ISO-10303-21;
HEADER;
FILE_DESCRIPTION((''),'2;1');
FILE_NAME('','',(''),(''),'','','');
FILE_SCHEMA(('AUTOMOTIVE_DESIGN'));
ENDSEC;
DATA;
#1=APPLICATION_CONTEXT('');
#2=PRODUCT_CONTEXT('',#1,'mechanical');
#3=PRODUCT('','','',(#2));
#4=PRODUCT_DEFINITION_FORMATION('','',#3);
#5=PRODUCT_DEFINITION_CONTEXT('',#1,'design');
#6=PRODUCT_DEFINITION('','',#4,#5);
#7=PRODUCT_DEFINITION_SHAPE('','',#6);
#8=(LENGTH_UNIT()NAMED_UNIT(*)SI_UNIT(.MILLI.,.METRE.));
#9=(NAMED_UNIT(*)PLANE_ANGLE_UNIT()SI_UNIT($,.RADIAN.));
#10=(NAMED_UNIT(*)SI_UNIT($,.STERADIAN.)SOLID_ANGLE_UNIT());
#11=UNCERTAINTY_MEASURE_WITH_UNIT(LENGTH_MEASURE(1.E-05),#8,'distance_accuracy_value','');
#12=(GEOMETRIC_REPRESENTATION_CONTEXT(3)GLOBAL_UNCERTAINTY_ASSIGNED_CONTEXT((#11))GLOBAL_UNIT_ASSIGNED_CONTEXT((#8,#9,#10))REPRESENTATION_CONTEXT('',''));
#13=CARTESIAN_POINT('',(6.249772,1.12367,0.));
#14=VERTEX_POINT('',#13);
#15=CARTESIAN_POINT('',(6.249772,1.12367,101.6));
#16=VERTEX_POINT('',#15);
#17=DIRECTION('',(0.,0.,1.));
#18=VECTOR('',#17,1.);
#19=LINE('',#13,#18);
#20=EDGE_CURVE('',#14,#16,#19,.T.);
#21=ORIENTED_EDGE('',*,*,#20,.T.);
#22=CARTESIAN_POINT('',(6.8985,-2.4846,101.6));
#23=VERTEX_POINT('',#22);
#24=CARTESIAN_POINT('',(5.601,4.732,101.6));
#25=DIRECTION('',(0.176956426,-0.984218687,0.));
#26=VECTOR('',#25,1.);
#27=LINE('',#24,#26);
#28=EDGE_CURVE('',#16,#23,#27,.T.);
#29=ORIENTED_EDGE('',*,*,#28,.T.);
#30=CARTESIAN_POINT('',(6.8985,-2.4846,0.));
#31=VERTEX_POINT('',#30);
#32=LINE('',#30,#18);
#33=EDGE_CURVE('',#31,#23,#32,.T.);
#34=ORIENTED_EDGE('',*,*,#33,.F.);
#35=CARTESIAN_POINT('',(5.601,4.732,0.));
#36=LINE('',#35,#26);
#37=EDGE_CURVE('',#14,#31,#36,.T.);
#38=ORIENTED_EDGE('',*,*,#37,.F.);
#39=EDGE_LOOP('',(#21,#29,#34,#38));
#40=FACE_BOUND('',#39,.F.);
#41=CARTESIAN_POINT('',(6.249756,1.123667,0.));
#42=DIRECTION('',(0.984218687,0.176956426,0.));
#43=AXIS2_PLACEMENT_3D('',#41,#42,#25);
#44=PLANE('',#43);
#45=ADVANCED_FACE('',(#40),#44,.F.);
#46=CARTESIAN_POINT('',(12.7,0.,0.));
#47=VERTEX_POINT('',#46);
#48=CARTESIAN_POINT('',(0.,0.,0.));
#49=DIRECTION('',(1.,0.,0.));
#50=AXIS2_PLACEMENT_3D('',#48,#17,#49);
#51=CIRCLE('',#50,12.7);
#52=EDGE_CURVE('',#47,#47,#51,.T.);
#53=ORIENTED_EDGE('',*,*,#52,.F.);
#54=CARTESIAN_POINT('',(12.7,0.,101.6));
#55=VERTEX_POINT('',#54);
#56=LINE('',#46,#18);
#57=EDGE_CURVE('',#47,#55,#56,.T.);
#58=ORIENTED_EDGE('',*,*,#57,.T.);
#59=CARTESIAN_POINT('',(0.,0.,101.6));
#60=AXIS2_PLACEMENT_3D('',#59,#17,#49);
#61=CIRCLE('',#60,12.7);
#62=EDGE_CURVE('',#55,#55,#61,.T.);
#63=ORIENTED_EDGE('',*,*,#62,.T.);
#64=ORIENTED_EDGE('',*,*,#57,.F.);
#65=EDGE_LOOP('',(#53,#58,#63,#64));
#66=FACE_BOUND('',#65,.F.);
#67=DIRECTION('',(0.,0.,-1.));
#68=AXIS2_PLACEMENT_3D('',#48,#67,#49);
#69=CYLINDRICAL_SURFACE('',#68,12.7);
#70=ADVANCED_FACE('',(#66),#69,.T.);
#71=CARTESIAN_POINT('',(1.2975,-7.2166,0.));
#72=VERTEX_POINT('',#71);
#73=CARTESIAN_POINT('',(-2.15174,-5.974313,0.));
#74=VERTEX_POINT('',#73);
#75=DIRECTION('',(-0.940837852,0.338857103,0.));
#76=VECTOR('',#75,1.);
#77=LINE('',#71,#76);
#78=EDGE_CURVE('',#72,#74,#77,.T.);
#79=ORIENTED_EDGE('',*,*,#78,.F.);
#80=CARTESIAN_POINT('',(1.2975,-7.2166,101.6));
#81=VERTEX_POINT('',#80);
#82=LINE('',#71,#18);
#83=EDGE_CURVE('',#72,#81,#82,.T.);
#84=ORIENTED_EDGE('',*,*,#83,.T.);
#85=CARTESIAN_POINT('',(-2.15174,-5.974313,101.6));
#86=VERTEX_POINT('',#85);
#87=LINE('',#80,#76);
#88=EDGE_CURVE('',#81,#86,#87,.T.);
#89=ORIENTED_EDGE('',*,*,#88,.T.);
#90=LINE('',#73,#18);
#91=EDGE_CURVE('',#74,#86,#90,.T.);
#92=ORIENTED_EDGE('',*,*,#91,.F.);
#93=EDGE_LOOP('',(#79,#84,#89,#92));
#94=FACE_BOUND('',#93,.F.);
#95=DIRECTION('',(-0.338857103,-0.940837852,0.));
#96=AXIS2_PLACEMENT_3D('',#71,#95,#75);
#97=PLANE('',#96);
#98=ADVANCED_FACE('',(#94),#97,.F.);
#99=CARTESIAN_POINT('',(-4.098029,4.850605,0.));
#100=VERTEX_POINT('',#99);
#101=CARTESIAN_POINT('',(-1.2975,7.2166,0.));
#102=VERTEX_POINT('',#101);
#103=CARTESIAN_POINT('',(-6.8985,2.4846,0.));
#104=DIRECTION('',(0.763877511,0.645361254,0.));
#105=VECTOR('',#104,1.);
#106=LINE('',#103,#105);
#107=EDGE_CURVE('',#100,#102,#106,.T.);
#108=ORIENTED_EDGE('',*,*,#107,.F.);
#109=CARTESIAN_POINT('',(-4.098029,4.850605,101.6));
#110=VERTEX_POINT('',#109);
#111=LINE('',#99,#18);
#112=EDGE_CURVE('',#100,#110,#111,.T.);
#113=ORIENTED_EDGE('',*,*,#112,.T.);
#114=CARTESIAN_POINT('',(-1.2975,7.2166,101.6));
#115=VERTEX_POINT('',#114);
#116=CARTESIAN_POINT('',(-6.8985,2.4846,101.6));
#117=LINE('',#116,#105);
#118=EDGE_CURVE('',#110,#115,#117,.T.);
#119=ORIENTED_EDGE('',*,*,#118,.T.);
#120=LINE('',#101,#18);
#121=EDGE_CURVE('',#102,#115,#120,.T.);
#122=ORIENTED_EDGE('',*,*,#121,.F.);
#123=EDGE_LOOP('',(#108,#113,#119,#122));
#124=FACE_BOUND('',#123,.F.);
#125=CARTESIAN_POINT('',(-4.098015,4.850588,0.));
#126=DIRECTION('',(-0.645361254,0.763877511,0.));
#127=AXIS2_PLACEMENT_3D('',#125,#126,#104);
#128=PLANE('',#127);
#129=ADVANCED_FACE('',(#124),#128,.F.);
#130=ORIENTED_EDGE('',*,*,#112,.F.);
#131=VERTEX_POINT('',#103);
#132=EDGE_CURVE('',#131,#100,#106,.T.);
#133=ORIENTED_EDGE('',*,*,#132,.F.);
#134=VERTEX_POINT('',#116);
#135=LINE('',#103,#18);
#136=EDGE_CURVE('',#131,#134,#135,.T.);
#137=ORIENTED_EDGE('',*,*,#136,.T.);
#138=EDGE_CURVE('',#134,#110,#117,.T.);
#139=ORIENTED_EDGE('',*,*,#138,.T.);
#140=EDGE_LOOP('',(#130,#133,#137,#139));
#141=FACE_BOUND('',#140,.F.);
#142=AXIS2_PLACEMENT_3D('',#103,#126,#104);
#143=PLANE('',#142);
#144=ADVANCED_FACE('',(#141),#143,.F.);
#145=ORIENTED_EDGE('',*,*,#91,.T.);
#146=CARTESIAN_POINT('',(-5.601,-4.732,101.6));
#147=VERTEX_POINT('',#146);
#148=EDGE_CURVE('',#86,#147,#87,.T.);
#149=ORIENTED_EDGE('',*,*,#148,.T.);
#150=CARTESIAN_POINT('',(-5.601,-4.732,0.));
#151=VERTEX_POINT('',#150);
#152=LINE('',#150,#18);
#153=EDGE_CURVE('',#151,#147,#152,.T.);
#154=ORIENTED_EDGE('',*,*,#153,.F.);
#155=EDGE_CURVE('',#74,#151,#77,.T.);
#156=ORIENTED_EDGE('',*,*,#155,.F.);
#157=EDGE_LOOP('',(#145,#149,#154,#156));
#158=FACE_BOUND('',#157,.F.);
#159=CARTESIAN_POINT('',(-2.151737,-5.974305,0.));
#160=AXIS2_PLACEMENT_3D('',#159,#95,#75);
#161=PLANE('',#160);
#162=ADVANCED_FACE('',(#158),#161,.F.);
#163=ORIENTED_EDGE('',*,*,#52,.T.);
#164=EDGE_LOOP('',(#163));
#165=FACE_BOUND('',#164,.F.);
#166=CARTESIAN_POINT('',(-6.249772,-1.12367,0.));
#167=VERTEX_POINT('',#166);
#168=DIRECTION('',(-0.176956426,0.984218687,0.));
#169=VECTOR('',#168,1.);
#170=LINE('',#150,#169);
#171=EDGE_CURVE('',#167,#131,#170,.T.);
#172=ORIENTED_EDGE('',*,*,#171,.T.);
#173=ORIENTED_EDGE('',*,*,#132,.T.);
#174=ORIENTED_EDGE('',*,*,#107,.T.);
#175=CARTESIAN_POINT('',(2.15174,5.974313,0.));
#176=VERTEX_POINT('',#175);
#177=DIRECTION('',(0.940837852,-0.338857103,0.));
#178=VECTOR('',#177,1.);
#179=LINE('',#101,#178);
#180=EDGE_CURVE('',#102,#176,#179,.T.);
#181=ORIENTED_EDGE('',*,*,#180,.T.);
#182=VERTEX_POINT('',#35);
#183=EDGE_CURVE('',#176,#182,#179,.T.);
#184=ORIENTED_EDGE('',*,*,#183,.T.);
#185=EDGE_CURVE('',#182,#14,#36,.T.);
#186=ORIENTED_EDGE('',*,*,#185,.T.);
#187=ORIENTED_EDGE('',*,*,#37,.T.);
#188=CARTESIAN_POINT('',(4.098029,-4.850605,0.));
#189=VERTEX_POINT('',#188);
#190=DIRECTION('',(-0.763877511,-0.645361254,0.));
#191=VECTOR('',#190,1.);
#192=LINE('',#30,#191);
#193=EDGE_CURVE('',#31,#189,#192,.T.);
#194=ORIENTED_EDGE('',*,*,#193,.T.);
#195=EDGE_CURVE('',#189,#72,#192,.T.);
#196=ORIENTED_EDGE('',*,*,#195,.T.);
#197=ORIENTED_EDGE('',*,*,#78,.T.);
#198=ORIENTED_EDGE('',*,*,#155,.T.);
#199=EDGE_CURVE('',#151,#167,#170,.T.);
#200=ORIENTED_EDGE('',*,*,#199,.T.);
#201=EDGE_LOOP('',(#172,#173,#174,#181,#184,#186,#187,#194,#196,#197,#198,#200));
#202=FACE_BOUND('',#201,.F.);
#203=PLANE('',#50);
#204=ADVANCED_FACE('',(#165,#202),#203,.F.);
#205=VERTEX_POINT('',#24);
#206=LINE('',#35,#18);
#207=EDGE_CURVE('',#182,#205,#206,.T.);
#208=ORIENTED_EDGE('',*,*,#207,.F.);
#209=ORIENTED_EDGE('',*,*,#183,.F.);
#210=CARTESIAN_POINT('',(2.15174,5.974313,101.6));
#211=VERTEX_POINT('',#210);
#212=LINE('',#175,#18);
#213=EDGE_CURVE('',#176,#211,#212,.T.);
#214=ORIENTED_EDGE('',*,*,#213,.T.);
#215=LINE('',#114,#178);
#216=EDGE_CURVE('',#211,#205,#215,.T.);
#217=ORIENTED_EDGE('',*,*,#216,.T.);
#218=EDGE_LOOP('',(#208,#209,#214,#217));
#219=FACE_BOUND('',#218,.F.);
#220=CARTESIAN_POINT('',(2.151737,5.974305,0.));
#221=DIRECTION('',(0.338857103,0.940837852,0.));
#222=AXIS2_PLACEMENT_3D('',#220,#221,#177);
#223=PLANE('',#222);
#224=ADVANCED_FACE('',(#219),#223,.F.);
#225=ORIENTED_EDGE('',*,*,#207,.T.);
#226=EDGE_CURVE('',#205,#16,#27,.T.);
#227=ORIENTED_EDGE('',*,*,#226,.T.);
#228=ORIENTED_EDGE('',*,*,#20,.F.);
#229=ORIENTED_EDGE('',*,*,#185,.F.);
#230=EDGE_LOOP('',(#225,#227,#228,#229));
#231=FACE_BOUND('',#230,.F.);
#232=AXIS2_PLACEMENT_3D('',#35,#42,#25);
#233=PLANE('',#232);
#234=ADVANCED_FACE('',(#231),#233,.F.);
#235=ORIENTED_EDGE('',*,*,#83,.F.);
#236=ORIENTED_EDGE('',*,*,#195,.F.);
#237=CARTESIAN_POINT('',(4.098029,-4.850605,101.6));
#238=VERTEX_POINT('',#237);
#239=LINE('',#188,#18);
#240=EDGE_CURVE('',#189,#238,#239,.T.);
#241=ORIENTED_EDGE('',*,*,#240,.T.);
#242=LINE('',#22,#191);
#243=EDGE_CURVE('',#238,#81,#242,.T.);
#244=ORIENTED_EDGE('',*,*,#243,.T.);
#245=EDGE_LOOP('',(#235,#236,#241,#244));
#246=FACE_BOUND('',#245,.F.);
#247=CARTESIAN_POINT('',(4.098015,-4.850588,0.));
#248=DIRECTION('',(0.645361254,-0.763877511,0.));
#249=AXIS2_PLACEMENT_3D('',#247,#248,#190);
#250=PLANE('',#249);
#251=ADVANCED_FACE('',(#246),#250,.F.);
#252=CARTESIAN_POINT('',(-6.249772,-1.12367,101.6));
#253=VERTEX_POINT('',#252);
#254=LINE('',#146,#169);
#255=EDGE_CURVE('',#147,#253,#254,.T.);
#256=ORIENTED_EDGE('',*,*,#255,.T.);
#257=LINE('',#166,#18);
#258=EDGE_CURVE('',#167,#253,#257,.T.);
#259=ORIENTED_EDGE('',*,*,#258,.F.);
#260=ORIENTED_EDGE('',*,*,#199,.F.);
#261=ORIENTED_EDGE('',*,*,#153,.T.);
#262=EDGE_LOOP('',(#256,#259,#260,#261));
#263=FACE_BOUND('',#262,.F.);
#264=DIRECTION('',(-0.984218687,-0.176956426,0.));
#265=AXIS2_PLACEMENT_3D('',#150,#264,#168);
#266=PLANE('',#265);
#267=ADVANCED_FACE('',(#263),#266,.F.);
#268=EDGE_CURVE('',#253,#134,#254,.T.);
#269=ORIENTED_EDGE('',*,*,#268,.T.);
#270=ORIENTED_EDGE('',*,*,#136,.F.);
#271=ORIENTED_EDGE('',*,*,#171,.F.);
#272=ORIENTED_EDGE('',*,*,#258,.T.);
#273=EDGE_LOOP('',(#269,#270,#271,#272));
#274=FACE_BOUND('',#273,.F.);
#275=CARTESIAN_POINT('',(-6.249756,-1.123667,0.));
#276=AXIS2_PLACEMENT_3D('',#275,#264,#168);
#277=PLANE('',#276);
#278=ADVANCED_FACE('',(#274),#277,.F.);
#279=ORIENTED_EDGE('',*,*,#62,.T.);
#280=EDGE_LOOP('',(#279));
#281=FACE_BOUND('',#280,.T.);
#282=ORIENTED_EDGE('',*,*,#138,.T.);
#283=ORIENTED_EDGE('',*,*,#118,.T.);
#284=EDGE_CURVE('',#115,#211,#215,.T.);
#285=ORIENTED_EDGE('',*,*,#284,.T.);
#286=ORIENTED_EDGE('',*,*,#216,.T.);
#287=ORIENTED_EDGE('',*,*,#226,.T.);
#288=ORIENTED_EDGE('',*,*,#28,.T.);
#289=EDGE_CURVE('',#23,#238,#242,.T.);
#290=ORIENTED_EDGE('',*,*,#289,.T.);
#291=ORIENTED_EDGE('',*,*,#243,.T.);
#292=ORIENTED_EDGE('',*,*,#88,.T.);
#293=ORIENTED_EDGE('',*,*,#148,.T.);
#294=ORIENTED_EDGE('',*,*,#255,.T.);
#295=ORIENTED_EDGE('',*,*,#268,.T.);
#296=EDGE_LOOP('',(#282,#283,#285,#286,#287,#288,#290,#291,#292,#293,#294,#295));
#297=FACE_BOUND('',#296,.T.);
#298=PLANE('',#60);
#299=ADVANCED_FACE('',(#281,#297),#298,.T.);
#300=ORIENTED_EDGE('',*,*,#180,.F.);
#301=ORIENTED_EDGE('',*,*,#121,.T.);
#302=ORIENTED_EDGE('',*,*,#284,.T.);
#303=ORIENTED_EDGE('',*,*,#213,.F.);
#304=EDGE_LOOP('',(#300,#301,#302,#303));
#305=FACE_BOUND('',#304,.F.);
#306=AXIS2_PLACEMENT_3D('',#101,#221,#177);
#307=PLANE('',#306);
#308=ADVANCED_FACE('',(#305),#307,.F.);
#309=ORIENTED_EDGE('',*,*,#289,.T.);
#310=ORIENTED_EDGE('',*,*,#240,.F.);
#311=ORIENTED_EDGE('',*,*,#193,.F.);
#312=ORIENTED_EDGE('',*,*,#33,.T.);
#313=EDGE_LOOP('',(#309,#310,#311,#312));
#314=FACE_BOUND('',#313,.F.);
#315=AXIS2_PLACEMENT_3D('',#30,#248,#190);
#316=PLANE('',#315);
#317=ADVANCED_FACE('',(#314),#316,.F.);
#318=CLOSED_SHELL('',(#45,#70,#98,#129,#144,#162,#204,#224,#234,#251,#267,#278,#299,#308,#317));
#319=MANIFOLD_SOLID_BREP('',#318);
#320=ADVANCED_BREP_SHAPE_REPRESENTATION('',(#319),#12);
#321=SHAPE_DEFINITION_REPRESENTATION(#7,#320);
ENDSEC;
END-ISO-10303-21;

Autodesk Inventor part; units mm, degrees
ref_plane "YZ Plane" through (0, 0, 0) normal (1, 0, 0) x (0, 1, 0)
ref_plane "XZ Plane" through (0, 0, 0) normal (0, 1, 0) x (-1, 0, 0)
ref_plane "XY Plane" through (0, 0, 0) normal (0, 0, 1) x (1, 0, 0)
sketch "Sketch2" plane through (0, 0, 0) normal (0, 0, 1) x (1, 0, 0)
  circle A0 centre (0, 0) radius 12.7
  circle A1 centre (0, 0) radius 6.35
  line L0 (5.601, 4.732) -> (6.8985, -2.4846)
  line L1 (6.8985, -2.4846) -> (1.2975, -7.2166)
  line L2 (1.2975, -7.2166) -> (-5.601, -4.732)
  line L3 (-5.601, -4.732) -> (-6.8985, 2.4846)
  line L4 (-6.8985, 2.4846) -> (-1.2975, 7.2166)
  line L5 (-1.2975, 7.2166) -> (5.601, 4.732)
  point P0 (2.1518, 5.9743)
  dimension "d8" = 12.7
  dimension "d7" = 25.4
extrude "Extrusion1" add sketch "Sketch2" along normal blind 101.6
properties part number "4-bar intake mid roller"
